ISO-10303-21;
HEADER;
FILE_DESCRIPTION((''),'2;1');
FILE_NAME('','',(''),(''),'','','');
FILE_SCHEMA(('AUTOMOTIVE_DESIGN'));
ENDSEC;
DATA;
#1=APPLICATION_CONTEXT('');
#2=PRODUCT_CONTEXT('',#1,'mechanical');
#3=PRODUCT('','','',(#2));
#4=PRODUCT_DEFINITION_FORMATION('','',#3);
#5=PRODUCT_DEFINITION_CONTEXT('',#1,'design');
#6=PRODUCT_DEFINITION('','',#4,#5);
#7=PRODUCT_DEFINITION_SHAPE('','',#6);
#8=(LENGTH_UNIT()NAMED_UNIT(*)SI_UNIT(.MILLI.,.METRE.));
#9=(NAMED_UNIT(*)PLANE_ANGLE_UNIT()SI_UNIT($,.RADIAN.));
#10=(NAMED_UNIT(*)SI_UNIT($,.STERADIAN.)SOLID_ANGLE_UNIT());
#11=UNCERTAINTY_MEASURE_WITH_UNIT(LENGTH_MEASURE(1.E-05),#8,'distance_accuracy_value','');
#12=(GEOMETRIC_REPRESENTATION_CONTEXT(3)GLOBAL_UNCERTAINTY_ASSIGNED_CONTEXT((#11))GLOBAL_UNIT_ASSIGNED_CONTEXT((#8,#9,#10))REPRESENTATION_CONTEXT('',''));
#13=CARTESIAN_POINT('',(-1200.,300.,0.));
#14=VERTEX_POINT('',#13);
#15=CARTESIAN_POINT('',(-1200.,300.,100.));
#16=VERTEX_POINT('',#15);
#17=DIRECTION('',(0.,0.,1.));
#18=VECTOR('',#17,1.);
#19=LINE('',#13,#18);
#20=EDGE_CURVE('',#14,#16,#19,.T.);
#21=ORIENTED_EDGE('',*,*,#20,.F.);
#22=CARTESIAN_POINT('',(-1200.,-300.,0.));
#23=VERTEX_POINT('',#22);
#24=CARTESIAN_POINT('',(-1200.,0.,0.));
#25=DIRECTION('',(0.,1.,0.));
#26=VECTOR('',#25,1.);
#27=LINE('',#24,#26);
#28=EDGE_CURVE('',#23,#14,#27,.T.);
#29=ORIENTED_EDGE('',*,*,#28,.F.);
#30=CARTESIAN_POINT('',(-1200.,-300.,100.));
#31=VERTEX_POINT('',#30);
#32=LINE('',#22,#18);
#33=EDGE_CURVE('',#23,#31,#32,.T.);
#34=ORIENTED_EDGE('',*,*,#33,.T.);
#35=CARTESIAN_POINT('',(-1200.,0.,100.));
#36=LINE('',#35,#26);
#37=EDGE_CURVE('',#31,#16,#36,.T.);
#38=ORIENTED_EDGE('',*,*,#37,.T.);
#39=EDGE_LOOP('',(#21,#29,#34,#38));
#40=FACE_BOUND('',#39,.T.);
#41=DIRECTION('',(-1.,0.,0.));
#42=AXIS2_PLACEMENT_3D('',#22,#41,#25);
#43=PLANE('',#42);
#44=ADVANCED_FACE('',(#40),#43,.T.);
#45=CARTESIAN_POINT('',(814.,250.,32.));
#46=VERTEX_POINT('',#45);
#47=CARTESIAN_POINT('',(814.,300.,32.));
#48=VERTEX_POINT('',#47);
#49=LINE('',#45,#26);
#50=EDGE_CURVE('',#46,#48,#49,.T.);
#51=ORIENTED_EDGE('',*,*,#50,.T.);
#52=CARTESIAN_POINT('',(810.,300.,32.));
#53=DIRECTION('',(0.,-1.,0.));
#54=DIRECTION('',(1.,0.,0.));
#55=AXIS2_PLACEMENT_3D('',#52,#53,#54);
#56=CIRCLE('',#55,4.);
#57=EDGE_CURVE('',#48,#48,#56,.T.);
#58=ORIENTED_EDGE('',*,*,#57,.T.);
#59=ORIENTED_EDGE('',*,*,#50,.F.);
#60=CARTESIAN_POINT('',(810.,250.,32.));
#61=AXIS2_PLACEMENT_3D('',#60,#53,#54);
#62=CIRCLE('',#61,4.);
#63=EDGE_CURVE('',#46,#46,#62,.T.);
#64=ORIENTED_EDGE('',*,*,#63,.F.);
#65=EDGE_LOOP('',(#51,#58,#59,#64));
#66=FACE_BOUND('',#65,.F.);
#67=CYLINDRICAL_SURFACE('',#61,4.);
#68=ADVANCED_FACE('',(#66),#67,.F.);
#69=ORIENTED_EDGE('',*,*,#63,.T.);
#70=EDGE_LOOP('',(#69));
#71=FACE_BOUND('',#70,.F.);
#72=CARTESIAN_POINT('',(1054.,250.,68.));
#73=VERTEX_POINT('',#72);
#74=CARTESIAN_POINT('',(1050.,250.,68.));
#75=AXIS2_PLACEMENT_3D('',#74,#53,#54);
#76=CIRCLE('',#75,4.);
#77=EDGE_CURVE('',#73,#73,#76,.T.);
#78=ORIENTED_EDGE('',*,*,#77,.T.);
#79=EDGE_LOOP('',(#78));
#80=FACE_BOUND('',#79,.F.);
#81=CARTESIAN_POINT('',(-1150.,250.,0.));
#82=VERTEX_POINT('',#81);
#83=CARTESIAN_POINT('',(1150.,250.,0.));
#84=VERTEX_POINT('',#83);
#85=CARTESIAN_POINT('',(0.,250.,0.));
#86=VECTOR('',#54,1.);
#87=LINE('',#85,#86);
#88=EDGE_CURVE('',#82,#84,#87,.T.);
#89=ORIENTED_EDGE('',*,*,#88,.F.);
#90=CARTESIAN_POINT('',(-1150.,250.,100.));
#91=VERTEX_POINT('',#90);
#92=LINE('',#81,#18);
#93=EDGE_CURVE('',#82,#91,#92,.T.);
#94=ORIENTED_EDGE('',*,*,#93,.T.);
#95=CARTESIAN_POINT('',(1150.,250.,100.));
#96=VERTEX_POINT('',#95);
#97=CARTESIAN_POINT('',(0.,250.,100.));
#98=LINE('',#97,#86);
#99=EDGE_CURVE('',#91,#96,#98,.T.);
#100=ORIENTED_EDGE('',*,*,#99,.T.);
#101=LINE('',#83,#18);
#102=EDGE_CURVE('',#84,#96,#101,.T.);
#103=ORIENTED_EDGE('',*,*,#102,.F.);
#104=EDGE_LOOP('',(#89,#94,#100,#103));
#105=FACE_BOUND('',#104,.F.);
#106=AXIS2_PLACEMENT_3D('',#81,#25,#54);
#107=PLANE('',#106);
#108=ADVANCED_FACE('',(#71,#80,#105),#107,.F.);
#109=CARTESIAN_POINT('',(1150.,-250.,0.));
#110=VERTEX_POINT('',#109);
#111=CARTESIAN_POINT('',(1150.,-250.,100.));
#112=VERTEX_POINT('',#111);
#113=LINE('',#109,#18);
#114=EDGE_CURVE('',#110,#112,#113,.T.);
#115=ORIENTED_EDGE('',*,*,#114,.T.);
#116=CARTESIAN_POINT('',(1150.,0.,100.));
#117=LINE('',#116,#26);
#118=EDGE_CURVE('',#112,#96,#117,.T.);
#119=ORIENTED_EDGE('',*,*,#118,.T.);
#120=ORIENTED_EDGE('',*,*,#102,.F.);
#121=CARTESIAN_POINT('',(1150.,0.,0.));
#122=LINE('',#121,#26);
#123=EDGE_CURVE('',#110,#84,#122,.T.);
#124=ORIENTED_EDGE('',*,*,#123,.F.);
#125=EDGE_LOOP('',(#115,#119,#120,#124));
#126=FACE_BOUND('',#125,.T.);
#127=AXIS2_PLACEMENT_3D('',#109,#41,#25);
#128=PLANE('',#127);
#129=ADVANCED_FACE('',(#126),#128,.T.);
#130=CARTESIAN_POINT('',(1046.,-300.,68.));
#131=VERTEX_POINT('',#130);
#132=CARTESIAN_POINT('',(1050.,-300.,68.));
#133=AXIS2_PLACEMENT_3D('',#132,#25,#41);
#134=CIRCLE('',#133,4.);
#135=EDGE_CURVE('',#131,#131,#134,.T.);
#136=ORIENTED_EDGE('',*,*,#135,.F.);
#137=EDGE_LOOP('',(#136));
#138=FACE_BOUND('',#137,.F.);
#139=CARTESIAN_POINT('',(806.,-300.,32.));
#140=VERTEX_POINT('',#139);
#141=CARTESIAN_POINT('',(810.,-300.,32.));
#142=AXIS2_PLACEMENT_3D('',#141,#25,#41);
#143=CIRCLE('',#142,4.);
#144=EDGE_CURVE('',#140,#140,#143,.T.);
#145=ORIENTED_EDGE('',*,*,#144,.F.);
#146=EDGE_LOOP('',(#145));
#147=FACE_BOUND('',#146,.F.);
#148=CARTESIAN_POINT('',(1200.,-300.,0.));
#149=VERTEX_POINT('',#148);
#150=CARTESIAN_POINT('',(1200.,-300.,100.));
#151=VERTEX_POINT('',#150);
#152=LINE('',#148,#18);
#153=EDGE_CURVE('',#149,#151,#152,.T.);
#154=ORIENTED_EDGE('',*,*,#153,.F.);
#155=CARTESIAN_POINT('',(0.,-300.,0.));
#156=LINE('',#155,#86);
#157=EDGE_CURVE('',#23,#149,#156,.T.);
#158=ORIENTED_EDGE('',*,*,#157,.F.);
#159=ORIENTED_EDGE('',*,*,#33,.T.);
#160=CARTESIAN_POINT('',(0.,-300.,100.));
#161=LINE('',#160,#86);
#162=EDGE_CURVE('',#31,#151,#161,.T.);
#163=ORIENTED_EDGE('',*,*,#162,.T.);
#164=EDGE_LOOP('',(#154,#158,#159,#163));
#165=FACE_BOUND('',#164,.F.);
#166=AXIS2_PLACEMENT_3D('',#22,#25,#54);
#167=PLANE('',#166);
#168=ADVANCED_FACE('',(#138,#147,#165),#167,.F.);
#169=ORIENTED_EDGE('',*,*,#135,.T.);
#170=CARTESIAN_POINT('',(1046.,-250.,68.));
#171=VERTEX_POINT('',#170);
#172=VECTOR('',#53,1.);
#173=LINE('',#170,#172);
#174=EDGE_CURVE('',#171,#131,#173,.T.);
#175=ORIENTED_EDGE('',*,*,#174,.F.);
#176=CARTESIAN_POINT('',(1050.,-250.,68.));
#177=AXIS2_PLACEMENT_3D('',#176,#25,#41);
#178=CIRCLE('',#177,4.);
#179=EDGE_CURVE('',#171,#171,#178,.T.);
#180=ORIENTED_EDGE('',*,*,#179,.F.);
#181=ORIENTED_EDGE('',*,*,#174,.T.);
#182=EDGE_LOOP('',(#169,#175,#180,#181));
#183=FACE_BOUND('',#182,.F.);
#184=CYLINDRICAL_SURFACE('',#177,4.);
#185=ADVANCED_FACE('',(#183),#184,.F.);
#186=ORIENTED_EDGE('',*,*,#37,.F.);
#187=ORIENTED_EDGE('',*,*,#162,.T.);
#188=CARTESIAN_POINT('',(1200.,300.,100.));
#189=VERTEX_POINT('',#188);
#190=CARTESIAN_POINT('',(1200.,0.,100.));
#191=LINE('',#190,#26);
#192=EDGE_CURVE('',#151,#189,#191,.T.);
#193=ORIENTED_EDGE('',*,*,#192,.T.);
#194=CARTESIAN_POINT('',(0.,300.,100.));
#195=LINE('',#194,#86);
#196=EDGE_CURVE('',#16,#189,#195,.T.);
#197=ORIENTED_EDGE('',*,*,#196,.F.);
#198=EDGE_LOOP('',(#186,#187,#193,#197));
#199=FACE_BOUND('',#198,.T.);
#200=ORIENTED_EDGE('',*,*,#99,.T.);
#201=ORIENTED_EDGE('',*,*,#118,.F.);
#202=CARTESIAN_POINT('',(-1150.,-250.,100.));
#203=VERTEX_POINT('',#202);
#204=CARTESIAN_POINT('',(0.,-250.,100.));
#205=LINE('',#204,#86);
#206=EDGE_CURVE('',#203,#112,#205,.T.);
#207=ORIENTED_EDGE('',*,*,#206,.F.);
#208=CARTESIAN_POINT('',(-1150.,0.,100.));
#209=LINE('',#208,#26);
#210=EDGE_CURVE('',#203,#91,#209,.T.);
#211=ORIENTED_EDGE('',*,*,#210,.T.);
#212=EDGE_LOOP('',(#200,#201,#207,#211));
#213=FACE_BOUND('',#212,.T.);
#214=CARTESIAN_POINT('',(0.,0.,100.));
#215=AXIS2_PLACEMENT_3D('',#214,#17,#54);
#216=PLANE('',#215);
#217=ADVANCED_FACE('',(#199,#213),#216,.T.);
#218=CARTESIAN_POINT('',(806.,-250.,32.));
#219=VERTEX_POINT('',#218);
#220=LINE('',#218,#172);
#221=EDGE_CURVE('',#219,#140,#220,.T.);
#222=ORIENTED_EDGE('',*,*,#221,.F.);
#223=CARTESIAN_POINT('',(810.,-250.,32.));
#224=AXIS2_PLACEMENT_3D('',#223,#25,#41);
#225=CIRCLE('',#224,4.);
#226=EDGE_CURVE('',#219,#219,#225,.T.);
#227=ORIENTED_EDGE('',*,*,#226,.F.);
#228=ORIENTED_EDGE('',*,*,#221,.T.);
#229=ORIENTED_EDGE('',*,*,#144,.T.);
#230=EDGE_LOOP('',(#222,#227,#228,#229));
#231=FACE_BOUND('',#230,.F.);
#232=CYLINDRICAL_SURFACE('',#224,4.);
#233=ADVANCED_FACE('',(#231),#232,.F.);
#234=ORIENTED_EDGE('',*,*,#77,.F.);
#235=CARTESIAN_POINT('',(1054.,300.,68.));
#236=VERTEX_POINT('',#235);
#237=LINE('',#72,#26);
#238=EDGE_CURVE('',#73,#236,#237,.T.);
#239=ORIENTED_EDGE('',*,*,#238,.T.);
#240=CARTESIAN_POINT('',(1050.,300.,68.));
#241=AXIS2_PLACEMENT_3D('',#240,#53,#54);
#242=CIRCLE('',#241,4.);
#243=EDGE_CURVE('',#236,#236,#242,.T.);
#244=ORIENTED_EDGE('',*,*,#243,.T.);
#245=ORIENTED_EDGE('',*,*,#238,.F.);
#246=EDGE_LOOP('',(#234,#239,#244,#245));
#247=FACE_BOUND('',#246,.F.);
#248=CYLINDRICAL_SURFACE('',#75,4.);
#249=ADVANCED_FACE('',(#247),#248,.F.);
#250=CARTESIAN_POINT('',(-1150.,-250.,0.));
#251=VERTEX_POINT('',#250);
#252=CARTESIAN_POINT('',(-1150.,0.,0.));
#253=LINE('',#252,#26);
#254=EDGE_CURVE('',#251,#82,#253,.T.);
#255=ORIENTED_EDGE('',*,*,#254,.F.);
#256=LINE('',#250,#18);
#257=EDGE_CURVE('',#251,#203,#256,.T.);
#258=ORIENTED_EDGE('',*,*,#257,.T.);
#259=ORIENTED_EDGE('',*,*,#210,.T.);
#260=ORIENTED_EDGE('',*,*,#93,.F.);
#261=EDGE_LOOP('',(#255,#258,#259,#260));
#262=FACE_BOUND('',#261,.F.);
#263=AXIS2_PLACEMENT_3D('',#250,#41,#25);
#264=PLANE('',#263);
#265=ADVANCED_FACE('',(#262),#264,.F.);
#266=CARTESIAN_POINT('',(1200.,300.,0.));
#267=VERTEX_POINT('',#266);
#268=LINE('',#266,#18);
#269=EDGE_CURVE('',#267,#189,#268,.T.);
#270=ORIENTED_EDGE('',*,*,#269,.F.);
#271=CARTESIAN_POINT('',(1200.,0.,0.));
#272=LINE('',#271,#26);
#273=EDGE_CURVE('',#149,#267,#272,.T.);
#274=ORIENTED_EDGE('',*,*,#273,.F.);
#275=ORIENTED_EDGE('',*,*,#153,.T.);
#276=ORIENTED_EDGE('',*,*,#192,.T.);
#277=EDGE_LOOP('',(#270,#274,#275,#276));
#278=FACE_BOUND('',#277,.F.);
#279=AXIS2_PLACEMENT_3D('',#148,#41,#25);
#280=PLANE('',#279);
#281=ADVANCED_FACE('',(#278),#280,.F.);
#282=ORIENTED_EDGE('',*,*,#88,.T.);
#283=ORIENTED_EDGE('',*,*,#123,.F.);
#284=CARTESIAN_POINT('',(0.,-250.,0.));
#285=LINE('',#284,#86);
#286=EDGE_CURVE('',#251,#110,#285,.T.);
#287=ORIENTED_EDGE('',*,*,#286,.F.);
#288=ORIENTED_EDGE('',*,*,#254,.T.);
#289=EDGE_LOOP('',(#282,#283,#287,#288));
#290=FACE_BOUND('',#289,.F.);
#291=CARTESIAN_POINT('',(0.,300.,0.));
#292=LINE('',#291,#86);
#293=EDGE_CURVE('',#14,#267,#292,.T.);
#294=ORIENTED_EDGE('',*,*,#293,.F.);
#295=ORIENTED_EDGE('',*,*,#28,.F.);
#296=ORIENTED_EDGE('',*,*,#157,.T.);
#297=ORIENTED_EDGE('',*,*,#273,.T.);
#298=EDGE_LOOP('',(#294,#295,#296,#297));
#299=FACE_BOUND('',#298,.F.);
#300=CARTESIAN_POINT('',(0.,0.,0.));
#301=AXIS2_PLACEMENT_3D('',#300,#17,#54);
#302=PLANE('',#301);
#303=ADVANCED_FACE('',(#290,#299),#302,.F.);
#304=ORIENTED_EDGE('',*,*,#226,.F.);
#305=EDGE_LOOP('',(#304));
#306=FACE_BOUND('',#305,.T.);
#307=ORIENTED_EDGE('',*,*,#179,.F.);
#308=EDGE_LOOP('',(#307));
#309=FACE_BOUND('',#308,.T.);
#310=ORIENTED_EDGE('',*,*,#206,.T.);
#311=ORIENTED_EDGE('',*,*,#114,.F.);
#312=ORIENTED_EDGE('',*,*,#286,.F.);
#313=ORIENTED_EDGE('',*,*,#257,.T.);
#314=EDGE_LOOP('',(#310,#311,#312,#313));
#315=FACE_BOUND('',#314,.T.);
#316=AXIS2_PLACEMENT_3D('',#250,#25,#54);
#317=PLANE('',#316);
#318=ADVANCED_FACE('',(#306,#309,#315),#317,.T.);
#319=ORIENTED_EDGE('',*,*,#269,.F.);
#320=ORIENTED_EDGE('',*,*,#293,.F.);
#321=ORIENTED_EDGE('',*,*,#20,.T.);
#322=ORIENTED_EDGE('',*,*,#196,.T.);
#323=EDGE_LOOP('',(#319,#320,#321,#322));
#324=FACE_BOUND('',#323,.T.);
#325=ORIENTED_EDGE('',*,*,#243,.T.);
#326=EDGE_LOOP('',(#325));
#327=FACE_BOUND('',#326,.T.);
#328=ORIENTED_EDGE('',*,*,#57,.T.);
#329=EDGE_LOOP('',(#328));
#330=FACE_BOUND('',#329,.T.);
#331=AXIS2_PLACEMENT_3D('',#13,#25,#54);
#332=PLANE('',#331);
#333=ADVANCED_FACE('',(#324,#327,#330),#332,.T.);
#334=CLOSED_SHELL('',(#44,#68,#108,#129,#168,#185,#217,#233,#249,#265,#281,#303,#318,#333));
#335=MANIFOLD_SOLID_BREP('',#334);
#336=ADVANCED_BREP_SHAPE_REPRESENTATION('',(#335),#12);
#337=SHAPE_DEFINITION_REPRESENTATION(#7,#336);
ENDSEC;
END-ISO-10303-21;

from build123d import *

# Parameters (mm, degrees)
F0_W     = 2400
F0_H     = 600
F0_W_2   = 2300
F0_H_2   = 500
F1_DEPTH = 100
F2_R     = 4
F3_DEPTH = 50
F4_R     = 4
F5_DEPTH = 50


with BuildPart() as f1:
    # F0 (on Top) → F1 (new body)
    with BuildSketch(Plane.XY):
        Rectangle(F0_W, F0_H)
        Rectangle(F0_W_2, F0_H_2, mode=Mode.SUBTRACT)
    extrude(amount=F1_DEPTH)

    # F2 (on face) → F3 (cut, through all)
    with BuildSketch(Plane.XZ.offset(-250)):
        with Locations((810, 32)):
            Circle(F2_R)
        with Locations((1050, 68)):
            Circle(F2_R)
    extrude(amount=-F3_DEPTH, mode=Mode.SUBTRACT)

    # F4 (on face) → F5 (cut, through all)
    with BuildSketch(Plane(origin=(0, -250, 0), x_dir=(-1, 0, 0), z_dir=(0, 1, 0))):
        with Locations((-810, 32)):
            Circle(F4_R)
        with Locations((-1050, 68)):
            Circle(F4_R)
    extrude(amount=-F5_DEPTH, mode=Mode.SUBTRACT)


solid = f1.part
